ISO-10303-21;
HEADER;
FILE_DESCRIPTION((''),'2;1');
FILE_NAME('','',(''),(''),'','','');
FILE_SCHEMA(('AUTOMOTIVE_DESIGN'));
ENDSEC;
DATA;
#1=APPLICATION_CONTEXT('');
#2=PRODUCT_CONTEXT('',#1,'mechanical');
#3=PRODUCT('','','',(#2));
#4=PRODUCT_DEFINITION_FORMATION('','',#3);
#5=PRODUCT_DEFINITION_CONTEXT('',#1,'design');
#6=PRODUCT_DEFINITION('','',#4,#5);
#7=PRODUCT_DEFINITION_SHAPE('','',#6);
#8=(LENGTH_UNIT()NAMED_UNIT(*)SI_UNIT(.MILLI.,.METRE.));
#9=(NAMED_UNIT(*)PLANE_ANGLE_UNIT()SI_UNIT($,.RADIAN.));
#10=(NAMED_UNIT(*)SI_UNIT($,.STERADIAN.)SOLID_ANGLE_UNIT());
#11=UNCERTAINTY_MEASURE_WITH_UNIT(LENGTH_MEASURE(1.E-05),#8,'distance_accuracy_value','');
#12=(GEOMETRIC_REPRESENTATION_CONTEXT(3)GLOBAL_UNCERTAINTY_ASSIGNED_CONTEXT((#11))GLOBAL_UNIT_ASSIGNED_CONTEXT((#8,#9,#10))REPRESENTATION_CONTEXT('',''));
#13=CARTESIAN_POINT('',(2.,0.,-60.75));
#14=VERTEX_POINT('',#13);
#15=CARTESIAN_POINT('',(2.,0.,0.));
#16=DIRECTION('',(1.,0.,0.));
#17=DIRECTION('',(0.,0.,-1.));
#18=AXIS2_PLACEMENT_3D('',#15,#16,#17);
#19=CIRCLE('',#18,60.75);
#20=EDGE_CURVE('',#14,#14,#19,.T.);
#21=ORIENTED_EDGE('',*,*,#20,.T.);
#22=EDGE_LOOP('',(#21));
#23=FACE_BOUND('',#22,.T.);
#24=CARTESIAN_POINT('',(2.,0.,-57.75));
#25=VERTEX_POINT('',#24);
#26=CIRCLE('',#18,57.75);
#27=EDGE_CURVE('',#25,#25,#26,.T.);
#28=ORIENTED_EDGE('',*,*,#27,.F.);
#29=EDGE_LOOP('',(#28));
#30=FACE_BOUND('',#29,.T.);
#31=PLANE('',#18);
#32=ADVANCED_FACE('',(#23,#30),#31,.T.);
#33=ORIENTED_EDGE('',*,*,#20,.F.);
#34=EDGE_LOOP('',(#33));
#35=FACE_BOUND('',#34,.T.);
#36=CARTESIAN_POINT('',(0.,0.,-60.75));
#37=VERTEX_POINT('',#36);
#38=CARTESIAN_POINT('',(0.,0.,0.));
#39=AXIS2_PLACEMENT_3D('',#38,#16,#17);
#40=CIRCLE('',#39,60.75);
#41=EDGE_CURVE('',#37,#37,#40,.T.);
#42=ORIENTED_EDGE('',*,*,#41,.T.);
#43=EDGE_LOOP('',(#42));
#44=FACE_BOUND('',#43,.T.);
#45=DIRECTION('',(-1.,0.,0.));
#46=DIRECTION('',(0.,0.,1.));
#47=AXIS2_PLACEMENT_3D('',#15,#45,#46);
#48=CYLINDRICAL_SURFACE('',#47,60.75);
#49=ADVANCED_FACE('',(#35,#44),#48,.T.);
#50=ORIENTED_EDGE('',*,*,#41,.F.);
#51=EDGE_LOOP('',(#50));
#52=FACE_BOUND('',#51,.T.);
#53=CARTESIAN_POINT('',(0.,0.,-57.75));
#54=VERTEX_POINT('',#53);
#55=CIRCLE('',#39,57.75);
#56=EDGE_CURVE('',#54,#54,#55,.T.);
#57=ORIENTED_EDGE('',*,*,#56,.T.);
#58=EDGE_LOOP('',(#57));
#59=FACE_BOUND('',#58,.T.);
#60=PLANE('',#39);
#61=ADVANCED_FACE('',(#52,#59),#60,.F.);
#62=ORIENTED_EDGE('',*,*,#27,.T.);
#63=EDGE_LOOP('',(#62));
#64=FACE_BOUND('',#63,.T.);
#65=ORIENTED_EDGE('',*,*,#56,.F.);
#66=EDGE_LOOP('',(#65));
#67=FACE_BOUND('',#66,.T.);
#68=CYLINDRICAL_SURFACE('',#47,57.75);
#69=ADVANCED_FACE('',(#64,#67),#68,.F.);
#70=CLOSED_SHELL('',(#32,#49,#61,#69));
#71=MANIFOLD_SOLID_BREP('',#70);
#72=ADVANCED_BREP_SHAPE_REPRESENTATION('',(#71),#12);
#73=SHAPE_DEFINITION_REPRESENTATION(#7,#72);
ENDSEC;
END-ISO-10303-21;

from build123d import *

# Parameters (mm, degrees)
SKETCH1_R           = 60.75
SKETCH1_R_2         = 57.75
BOSS_EXTRUDE1_DEPTH = 2


with BuildPart() as part:
    # Sketch1 → Boss-Extrude1 (new body)
    with BuildSketch(Plane(origin=(0, 0, 0), x_dir=(0, 0, -1), z_dir=(1, 0, 0))):
        Circle(SKETCH1_R)
        Circle(SKETCH1_R_2, mode=Mode.SUBTRACT)
    extrude(amount=BOSS_EXTRUDE1_DEPTH)


solid = part.part
